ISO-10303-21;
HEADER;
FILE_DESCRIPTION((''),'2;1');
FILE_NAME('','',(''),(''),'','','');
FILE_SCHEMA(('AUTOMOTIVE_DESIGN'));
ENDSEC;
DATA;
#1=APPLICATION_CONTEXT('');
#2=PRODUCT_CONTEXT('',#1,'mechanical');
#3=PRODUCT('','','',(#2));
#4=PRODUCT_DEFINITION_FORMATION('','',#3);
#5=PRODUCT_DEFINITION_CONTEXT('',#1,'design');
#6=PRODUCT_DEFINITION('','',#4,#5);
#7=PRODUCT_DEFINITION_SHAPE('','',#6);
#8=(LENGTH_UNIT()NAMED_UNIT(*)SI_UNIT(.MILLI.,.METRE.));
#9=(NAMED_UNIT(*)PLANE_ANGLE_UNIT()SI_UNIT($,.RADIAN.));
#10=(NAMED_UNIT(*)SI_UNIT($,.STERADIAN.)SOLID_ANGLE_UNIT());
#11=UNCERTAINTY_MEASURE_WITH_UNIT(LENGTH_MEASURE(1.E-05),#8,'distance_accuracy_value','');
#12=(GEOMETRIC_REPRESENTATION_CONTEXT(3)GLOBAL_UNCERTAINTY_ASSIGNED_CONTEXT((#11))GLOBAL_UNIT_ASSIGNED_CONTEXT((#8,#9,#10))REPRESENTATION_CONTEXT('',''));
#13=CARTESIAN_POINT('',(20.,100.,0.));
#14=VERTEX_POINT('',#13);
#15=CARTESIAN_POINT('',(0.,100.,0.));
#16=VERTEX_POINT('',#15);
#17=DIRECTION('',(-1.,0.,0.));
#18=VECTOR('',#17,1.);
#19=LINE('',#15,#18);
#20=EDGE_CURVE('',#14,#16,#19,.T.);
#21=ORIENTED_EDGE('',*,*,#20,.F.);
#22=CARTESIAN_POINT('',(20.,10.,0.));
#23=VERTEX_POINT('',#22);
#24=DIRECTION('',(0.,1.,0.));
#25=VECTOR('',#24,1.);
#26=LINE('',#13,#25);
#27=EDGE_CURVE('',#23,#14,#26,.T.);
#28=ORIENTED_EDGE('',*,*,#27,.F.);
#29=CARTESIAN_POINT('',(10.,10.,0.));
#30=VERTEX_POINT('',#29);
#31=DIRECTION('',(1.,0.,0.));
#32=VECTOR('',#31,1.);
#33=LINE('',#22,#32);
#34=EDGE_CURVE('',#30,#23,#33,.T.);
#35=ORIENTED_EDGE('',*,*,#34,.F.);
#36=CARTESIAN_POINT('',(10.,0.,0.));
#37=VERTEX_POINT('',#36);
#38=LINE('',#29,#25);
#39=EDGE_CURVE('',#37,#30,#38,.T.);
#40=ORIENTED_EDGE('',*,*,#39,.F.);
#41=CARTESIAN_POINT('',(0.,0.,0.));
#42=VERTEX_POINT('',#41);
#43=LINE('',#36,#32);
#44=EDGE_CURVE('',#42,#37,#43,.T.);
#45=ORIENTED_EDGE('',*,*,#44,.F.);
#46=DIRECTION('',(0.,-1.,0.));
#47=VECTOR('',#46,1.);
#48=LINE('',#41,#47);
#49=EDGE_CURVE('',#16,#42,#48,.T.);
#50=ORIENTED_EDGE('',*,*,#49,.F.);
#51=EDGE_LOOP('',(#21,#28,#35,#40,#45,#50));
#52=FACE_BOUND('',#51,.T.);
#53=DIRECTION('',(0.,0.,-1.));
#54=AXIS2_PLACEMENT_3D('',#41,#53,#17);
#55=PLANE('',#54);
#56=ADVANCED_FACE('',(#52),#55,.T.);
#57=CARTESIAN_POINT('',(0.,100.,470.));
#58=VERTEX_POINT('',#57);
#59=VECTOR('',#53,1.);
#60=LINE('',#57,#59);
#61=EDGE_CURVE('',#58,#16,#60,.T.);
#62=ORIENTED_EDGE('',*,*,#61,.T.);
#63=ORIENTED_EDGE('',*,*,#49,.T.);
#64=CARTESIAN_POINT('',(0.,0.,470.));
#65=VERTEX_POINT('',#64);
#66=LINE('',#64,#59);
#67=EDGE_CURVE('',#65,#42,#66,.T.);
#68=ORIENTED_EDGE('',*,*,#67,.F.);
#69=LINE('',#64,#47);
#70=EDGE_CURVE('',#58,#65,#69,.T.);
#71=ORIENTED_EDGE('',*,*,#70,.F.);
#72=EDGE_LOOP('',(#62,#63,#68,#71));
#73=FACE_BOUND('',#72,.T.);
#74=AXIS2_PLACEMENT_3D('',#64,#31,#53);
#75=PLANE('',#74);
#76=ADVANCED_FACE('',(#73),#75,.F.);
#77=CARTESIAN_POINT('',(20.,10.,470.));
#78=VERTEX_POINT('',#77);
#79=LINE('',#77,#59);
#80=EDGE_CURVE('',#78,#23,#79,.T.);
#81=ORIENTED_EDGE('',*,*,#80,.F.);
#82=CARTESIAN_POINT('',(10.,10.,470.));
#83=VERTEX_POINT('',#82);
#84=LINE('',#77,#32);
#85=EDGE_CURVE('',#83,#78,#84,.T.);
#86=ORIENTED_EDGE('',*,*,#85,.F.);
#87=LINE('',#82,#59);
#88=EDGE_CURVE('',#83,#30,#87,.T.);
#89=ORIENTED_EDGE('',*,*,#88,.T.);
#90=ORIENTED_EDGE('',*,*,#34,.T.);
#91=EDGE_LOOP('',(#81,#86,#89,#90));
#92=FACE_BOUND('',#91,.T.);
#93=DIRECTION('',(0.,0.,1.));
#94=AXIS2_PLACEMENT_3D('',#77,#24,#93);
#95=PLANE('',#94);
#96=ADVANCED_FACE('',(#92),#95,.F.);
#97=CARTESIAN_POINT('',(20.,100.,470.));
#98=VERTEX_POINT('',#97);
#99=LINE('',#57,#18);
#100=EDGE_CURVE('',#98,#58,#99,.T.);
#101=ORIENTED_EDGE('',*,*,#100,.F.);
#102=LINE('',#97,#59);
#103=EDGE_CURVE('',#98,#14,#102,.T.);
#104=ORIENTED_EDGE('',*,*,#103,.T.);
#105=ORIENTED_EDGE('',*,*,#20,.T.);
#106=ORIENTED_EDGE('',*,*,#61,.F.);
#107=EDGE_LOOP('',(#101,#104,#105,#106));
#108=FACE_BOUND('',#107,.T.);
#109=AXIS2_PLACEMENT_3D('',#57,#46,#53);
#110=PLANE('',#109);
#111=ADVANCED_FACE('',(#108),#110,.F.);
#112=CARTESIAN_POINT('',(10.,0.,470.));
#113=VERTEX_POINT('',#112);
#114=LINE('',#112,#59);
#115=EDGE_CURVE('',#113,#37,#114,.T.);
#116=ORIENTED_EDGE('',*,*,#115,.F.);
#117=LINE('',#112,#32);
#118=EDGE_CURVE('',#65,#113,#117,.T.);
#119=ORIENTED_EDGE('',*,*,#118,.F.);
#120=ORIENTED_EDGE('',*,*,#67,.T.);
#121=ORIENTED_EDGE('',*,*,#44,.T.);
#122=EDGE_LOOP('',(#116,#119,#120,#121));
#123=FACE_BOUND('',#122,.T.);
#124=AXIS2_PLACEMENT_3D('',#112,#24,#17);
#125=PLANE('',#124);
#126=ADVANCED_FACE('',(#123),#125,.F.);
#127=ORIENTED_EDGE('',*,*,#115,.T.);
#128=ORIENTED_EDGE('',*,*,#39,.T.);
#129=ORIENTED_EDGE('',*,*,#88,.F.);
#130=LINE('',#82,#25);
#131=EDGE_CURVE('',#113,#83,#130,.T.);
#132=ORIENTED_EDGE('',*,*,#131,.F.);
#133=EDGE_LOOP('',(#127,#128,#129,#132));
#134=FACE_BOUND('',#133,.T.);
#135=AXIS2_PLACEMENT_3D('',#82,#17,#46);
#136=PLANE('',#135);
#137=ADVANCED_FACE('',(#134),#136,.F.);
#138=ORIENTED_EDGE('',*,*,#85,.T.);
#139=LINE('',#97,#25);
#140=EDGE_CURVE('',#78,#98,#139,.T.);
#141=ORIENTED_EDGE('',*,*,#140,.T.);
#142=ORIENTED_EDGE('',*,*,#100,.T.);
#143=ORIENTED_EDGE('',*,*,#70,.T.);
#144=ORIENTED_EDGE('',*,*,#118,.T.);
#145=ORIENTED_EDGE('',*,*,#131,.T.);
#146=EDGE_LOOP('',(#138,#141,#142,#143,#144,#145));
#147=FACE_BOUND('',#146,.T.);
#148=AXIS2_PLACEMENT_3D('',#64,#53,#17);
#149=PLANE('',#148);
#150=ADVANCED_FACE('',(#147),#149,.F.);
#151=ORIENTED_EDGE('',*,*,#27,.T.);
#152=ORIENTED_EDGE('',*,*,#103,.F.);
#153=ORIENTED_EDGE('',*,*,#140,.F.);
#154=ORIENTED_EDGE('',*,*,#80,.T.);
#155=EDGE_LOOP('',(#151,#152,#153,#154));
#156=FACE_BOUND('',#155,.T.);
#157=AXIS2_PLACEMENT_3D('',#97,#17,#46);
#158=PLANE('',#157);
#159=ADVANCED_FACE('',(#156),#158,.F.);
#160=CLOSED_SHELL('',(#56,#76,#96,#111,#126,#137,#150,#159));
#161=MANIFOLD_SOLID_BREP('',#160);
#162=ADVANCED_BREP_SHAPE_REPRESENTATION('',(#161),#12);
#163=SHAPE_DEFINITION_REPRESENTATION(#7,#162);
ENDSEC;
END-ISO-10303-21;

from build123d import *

# Parameters (mm, degrees)
EXTRUDE_1_DEPTH = 470


with BuildPart() as part:
    # Эскиз1 → Бобышка-Вытянуть1 (new body)
    with BuildSketch(Plane.XY):
        Polygon((0, 0), (0, 100), (20, 100), (20, 10), (10, 10), (10, 0), align=None)
    extrude(amount=EXTRUDE_1_DEPTH)


solid = part.part
